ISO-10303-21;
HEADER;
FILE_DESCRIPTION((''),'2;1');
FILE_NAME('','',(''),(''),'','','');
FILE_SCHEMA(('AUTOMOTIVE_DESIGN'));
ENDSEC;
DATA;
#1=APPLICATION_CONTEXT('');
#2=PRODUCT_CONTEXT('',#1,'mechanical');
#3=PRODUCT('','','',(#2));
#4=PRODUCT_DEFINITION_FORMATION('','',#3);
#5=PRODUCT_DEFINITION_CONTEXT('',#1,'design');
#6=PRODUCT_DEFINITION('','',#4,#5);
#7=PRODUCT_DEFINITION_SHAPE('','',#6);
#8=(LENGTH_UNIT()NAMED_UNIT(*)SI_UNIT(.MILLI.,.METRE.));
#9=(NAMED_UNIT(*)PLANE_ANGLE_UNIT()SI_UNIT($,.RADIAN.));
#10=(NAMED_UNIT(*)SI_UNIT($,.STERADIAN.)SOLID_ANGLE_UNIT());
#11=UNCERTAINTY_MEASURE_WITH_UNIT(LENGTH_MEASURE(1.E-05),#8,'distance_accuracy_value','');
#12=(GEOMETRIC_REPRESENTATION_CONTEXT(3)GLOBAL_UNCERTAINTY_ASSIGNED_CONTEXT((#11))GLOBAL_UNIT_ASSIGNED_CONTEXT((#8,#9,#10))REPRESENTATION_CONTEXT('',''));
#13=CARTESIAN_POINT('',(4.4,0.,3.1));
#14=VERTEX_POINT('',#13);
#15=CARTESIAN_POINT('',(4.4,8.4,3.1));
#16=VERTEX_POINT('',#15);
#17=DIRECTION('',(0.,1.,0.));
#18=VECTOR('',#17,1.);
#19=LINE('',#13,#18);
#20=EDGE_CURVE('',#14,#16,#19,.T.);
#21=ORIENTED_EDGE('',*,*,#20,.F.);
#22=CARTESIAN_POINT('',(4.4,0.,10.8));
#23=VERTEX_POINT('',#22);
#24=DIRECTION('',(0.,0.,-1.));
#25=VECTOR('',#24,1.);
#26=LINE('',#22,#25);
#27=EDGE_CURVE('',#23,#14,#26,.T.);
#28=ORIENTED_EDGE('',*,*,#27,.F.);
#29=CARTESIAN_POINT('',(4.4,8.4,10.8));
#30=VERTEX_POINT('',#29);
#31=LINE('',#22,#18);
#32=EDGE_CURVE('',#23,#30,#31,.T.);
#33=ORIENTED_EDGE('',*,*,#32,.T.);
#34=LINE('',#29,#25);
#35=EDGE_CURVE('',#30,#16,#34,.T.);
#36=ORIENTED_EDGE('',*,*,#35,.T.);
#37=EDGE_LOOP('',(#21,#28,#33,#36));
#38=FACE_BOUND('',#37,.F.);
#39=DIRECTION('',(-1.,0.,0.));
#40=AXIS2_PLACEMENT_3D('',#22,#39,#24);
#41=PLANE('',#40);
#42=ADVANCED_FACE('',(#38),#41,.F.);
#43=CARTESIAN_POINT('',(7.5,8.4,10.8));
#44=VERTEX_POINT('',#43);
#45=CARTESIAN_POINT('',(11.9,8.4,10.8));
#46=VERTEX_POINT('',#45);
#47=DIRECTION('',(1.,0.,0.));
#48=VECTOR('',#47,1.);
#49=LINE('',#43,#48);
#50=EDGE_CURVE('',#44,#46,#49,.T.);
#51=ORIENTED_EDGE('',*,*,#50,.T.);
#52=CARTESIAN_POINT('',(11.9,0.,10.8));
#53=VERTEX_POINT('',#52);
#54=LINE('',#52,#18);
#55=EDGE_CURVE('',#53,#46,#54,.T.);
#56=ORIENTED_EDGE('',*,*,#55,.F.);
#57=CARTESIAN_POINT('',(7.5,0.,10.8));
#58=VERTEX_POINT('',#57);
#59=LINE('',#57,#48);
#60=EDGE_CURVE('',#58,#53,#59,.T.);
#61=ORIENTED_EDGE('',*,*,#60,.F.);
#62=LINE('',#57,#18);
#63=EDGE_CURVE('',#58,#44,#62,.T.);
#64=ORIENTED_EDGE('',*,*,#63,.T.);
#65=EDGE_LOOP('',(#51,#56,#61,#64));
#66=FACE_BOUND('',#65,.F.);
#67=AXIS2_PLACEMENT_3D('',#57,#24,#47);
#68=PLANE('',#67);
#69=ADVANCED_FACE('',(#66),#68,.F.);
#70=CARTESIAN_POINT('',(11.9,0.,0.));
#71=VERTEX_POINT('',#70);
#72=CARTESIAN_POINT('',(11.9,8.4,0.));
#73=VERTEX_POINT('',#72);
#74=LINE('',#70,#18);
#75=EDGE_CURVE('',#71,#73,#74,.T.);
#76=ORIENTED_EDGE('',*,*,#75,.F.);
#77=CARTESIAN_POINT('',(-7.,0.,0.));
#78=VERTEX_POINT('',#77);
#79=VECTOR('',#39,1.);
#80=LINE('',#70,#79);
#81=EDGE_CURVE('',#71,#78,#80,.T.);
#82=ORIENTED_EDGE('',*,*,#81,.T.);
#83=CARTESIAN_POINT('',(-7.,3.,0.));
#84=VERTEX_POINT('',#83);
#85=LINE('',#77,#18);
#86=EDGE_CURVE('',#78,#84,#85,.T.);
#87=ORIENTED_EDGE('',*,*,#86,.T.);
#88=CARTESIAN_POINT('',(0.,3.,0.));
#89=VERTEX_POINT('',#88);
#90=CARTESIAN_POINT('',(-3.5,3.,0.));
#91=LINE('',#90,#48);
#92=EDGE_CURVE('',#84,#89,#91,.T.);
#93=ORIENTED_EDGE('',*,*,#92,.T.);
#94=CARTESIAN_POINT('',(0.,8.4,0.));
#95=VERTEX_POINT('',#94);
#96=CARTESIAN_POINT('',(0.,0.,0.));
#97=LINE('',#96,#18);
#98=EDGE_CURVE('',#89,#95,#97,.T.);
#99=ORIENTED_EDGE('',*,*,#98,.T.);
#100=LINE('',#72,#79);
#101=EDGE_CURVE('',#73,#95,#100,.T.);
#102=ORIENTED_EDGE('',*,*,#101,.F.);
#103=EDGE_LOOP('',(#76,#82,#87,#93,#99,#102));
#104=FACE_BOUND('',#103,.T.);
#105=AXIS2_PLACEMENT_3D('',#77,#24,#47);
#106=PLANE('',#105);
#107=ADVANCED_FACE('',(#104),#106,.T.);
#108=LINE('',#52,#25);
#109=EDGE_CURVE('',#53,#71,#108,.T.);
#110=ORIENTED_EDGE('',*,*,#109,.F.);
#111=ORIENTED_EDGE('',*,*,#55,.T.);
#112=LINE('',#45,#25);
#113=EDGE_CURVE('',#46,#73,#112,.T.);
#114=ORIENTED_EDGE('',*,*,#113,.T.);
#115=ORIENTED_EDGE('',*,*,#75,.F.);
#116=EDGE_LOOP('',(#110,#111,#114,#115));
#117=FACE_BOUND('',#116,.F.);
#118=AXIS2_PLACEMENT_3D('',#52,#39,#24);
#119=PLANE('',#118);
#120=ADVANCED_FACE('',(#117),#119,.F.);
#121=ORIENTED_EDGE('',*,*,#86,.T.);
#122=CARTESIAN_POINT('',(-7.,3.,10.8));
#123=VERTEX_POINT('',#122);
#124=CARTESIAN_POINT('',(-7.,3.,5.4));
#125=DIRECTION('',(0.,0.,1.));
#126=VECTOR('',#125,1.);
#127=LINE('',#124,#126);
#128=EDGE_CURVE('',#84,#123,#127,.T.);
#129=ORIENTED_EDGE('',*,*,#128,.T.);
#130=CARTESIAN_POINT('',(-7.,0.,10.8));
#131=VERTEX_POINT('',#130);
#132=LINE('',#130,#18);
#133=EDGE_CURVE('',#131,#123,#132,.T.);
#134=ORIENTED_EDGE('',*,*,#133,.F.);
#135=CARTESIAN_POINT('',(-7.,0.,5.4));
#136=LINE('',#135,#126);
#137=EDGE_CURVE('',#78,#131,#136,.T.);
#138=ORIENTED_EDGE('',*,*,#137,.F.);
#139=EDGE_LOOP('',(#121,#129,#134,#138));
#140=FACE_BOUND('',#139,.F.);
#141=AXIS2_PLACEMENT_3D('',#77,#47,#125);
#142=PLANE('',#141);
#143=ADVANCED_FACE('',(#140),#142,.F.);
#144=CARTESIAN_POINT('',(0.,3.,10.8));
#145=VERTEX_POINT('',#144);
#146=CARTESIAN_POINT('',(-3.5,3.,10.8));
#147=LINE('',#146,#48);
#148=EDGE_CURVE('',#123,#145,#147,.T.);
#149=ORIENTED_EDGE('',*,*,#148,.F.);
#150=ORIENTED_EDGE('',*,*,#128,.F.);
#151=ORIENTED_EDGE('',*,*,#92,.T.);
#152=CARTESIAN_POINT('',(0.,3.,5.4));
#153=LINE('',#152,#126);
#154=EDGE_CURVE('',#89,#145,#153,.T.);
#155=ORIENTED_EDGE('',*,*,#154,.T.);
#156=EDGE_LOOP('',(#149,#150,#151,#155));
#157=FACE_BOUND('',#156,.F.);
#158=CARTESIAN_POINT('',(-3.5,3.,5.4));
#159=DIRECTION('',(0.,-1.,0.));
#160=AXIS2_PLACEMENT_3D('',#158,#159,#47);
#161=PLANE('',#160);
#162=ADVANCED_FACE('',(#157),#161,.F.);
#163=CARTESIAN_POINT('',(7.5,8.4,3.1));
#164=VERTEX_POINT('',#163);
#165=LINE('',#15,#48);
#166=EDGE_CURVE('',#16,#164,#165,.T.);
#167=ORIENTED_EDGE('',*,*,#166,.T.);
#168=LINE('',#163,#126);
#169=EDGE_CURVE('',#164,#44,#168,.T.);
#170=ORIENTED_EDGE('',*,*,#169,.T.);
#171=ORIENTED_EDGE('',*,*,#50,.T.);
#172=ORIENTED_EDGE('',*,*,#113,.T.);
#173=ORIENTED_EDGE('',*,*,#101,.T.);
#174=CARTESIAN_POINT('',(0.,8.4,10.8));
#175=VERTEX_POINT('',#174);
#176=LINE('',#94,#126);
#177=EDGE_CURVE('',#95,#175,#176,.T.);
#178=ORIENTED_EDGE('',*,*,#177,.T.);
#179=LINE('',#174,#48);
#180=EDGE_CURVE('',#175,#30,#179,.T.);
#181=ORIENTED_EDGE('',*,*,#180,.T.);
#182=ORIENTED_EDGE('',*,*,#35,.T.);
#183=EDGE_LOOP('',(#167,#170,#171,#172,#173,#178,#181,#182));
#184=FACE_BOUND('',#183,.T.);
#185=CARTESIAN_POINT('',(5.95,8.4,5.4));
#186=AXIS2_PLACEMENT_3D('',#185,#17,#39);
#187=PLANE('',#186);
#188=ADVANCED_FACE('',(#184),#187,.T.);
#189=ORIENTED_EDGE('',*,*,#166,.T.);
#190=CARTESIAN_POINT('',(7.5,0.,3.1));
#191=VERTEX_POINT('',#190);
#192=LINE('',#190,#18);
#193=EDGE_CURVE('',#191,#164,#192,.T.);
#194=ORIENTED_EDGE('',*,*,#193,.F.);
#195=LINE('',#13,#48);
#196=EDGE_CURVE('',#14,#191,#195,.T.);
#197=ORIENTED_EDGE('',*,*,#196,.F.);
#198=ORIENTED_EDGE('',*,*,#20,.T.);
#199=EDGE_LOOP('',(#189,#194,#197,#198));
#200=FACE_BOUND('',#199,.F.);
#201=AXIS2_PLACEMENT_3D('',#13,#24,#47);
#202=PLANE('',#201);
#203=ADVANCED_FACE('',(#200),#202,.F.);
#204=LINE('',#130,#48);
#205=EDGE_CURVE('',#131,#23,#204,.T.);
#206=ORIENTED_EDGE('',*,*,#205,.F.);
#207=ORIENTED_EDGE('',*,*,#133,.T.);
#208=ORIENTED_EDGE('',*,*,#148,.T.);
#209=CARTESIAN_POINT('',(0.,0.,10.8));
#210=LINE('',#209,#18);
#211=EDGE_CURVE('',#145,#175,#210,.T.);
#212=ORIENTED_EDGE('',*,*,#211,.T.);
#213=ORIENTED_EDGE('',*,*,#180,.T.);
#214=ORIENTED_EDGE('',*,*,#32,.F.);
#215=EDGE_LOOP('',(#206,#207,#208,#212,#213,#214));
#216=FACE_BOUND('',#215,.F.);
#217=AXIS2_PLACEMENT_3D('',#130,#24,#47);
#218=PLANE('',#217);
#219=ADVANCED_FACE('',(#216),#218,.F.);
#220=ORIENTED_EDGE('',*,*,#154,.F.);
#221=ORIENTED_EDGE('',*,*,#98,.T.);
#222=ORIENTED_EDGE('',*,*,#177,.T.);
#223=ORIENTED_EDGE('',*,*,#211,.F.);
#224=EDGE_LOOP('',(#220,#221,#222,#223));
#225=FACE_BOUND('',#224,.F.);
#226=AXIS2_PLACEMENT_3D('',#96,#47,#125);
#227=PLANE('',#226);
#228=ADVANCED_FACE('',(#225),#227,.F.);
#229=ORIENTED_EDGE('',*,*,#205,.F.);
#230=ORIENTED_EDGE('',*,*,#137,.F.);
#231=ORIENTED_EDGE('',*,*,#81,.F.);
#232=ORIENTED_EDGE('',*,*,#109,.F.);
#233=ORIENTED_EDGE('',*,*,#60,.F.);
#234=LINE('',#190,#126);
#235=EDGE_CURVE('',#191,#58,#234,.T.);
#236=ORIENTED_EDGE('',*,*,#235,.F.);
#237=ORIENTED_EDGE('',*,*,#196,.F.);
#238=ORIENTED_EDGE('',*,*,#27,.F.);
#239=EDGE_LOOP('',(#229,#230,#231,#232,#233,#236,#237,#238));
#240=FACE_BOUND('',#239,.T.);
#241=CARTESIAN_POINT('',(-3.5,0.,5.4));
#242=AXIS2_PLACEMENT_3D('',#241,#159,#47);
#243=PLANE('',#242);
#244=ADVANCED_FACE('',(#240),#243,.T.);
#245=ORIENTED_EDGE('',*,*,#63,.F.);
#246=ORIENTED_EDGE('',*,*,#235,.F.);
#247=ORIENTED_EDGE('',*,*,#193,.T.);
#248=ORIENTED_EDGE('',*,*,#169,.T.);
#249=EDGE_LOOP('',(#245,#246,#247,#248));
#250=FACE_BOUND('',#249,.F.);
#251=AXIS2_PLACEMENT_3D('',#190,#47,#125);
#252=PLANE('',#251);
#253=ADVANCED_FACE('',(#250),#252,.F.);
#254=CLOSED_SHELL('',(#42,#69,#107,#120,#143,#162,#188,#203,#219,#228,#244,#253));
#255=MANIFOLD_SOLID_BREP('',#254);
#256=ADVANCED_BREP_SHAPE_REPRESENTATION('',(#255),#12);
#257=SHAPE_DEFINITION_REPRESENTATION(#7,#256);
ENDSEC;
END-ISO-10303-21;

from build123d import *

# Parameters (mm, degrees)
PAD001_DEPTH = 8.4
SKETCH001_W  = 7
SKETCH001_H  = 10.8
PAD_DEPTH    = 3


with BuildPart() as part:
    # Sketch → Pad001 (new body)
    with BuildSketch(Plane.XZ):
        Polygon((0, 0), (0, 10.8), (4.4, 10.8), (4.4, 3.1), (7.5, 3.1), (7.5, 10.8), (11.9, 10.8), (11.9, 0), align=None)
    extrude(amount=-PAD001_DEPTH)

    # Sketch001 → Pad (join)
    with BuildSketch(Plane.XZ):
        with Locations((-3.5, 5.4)):
            Rectangle(SKETCH001_W, SKETCH001_H)
    extrude(amount=-PAD_DEPTH)


solid = part.part
